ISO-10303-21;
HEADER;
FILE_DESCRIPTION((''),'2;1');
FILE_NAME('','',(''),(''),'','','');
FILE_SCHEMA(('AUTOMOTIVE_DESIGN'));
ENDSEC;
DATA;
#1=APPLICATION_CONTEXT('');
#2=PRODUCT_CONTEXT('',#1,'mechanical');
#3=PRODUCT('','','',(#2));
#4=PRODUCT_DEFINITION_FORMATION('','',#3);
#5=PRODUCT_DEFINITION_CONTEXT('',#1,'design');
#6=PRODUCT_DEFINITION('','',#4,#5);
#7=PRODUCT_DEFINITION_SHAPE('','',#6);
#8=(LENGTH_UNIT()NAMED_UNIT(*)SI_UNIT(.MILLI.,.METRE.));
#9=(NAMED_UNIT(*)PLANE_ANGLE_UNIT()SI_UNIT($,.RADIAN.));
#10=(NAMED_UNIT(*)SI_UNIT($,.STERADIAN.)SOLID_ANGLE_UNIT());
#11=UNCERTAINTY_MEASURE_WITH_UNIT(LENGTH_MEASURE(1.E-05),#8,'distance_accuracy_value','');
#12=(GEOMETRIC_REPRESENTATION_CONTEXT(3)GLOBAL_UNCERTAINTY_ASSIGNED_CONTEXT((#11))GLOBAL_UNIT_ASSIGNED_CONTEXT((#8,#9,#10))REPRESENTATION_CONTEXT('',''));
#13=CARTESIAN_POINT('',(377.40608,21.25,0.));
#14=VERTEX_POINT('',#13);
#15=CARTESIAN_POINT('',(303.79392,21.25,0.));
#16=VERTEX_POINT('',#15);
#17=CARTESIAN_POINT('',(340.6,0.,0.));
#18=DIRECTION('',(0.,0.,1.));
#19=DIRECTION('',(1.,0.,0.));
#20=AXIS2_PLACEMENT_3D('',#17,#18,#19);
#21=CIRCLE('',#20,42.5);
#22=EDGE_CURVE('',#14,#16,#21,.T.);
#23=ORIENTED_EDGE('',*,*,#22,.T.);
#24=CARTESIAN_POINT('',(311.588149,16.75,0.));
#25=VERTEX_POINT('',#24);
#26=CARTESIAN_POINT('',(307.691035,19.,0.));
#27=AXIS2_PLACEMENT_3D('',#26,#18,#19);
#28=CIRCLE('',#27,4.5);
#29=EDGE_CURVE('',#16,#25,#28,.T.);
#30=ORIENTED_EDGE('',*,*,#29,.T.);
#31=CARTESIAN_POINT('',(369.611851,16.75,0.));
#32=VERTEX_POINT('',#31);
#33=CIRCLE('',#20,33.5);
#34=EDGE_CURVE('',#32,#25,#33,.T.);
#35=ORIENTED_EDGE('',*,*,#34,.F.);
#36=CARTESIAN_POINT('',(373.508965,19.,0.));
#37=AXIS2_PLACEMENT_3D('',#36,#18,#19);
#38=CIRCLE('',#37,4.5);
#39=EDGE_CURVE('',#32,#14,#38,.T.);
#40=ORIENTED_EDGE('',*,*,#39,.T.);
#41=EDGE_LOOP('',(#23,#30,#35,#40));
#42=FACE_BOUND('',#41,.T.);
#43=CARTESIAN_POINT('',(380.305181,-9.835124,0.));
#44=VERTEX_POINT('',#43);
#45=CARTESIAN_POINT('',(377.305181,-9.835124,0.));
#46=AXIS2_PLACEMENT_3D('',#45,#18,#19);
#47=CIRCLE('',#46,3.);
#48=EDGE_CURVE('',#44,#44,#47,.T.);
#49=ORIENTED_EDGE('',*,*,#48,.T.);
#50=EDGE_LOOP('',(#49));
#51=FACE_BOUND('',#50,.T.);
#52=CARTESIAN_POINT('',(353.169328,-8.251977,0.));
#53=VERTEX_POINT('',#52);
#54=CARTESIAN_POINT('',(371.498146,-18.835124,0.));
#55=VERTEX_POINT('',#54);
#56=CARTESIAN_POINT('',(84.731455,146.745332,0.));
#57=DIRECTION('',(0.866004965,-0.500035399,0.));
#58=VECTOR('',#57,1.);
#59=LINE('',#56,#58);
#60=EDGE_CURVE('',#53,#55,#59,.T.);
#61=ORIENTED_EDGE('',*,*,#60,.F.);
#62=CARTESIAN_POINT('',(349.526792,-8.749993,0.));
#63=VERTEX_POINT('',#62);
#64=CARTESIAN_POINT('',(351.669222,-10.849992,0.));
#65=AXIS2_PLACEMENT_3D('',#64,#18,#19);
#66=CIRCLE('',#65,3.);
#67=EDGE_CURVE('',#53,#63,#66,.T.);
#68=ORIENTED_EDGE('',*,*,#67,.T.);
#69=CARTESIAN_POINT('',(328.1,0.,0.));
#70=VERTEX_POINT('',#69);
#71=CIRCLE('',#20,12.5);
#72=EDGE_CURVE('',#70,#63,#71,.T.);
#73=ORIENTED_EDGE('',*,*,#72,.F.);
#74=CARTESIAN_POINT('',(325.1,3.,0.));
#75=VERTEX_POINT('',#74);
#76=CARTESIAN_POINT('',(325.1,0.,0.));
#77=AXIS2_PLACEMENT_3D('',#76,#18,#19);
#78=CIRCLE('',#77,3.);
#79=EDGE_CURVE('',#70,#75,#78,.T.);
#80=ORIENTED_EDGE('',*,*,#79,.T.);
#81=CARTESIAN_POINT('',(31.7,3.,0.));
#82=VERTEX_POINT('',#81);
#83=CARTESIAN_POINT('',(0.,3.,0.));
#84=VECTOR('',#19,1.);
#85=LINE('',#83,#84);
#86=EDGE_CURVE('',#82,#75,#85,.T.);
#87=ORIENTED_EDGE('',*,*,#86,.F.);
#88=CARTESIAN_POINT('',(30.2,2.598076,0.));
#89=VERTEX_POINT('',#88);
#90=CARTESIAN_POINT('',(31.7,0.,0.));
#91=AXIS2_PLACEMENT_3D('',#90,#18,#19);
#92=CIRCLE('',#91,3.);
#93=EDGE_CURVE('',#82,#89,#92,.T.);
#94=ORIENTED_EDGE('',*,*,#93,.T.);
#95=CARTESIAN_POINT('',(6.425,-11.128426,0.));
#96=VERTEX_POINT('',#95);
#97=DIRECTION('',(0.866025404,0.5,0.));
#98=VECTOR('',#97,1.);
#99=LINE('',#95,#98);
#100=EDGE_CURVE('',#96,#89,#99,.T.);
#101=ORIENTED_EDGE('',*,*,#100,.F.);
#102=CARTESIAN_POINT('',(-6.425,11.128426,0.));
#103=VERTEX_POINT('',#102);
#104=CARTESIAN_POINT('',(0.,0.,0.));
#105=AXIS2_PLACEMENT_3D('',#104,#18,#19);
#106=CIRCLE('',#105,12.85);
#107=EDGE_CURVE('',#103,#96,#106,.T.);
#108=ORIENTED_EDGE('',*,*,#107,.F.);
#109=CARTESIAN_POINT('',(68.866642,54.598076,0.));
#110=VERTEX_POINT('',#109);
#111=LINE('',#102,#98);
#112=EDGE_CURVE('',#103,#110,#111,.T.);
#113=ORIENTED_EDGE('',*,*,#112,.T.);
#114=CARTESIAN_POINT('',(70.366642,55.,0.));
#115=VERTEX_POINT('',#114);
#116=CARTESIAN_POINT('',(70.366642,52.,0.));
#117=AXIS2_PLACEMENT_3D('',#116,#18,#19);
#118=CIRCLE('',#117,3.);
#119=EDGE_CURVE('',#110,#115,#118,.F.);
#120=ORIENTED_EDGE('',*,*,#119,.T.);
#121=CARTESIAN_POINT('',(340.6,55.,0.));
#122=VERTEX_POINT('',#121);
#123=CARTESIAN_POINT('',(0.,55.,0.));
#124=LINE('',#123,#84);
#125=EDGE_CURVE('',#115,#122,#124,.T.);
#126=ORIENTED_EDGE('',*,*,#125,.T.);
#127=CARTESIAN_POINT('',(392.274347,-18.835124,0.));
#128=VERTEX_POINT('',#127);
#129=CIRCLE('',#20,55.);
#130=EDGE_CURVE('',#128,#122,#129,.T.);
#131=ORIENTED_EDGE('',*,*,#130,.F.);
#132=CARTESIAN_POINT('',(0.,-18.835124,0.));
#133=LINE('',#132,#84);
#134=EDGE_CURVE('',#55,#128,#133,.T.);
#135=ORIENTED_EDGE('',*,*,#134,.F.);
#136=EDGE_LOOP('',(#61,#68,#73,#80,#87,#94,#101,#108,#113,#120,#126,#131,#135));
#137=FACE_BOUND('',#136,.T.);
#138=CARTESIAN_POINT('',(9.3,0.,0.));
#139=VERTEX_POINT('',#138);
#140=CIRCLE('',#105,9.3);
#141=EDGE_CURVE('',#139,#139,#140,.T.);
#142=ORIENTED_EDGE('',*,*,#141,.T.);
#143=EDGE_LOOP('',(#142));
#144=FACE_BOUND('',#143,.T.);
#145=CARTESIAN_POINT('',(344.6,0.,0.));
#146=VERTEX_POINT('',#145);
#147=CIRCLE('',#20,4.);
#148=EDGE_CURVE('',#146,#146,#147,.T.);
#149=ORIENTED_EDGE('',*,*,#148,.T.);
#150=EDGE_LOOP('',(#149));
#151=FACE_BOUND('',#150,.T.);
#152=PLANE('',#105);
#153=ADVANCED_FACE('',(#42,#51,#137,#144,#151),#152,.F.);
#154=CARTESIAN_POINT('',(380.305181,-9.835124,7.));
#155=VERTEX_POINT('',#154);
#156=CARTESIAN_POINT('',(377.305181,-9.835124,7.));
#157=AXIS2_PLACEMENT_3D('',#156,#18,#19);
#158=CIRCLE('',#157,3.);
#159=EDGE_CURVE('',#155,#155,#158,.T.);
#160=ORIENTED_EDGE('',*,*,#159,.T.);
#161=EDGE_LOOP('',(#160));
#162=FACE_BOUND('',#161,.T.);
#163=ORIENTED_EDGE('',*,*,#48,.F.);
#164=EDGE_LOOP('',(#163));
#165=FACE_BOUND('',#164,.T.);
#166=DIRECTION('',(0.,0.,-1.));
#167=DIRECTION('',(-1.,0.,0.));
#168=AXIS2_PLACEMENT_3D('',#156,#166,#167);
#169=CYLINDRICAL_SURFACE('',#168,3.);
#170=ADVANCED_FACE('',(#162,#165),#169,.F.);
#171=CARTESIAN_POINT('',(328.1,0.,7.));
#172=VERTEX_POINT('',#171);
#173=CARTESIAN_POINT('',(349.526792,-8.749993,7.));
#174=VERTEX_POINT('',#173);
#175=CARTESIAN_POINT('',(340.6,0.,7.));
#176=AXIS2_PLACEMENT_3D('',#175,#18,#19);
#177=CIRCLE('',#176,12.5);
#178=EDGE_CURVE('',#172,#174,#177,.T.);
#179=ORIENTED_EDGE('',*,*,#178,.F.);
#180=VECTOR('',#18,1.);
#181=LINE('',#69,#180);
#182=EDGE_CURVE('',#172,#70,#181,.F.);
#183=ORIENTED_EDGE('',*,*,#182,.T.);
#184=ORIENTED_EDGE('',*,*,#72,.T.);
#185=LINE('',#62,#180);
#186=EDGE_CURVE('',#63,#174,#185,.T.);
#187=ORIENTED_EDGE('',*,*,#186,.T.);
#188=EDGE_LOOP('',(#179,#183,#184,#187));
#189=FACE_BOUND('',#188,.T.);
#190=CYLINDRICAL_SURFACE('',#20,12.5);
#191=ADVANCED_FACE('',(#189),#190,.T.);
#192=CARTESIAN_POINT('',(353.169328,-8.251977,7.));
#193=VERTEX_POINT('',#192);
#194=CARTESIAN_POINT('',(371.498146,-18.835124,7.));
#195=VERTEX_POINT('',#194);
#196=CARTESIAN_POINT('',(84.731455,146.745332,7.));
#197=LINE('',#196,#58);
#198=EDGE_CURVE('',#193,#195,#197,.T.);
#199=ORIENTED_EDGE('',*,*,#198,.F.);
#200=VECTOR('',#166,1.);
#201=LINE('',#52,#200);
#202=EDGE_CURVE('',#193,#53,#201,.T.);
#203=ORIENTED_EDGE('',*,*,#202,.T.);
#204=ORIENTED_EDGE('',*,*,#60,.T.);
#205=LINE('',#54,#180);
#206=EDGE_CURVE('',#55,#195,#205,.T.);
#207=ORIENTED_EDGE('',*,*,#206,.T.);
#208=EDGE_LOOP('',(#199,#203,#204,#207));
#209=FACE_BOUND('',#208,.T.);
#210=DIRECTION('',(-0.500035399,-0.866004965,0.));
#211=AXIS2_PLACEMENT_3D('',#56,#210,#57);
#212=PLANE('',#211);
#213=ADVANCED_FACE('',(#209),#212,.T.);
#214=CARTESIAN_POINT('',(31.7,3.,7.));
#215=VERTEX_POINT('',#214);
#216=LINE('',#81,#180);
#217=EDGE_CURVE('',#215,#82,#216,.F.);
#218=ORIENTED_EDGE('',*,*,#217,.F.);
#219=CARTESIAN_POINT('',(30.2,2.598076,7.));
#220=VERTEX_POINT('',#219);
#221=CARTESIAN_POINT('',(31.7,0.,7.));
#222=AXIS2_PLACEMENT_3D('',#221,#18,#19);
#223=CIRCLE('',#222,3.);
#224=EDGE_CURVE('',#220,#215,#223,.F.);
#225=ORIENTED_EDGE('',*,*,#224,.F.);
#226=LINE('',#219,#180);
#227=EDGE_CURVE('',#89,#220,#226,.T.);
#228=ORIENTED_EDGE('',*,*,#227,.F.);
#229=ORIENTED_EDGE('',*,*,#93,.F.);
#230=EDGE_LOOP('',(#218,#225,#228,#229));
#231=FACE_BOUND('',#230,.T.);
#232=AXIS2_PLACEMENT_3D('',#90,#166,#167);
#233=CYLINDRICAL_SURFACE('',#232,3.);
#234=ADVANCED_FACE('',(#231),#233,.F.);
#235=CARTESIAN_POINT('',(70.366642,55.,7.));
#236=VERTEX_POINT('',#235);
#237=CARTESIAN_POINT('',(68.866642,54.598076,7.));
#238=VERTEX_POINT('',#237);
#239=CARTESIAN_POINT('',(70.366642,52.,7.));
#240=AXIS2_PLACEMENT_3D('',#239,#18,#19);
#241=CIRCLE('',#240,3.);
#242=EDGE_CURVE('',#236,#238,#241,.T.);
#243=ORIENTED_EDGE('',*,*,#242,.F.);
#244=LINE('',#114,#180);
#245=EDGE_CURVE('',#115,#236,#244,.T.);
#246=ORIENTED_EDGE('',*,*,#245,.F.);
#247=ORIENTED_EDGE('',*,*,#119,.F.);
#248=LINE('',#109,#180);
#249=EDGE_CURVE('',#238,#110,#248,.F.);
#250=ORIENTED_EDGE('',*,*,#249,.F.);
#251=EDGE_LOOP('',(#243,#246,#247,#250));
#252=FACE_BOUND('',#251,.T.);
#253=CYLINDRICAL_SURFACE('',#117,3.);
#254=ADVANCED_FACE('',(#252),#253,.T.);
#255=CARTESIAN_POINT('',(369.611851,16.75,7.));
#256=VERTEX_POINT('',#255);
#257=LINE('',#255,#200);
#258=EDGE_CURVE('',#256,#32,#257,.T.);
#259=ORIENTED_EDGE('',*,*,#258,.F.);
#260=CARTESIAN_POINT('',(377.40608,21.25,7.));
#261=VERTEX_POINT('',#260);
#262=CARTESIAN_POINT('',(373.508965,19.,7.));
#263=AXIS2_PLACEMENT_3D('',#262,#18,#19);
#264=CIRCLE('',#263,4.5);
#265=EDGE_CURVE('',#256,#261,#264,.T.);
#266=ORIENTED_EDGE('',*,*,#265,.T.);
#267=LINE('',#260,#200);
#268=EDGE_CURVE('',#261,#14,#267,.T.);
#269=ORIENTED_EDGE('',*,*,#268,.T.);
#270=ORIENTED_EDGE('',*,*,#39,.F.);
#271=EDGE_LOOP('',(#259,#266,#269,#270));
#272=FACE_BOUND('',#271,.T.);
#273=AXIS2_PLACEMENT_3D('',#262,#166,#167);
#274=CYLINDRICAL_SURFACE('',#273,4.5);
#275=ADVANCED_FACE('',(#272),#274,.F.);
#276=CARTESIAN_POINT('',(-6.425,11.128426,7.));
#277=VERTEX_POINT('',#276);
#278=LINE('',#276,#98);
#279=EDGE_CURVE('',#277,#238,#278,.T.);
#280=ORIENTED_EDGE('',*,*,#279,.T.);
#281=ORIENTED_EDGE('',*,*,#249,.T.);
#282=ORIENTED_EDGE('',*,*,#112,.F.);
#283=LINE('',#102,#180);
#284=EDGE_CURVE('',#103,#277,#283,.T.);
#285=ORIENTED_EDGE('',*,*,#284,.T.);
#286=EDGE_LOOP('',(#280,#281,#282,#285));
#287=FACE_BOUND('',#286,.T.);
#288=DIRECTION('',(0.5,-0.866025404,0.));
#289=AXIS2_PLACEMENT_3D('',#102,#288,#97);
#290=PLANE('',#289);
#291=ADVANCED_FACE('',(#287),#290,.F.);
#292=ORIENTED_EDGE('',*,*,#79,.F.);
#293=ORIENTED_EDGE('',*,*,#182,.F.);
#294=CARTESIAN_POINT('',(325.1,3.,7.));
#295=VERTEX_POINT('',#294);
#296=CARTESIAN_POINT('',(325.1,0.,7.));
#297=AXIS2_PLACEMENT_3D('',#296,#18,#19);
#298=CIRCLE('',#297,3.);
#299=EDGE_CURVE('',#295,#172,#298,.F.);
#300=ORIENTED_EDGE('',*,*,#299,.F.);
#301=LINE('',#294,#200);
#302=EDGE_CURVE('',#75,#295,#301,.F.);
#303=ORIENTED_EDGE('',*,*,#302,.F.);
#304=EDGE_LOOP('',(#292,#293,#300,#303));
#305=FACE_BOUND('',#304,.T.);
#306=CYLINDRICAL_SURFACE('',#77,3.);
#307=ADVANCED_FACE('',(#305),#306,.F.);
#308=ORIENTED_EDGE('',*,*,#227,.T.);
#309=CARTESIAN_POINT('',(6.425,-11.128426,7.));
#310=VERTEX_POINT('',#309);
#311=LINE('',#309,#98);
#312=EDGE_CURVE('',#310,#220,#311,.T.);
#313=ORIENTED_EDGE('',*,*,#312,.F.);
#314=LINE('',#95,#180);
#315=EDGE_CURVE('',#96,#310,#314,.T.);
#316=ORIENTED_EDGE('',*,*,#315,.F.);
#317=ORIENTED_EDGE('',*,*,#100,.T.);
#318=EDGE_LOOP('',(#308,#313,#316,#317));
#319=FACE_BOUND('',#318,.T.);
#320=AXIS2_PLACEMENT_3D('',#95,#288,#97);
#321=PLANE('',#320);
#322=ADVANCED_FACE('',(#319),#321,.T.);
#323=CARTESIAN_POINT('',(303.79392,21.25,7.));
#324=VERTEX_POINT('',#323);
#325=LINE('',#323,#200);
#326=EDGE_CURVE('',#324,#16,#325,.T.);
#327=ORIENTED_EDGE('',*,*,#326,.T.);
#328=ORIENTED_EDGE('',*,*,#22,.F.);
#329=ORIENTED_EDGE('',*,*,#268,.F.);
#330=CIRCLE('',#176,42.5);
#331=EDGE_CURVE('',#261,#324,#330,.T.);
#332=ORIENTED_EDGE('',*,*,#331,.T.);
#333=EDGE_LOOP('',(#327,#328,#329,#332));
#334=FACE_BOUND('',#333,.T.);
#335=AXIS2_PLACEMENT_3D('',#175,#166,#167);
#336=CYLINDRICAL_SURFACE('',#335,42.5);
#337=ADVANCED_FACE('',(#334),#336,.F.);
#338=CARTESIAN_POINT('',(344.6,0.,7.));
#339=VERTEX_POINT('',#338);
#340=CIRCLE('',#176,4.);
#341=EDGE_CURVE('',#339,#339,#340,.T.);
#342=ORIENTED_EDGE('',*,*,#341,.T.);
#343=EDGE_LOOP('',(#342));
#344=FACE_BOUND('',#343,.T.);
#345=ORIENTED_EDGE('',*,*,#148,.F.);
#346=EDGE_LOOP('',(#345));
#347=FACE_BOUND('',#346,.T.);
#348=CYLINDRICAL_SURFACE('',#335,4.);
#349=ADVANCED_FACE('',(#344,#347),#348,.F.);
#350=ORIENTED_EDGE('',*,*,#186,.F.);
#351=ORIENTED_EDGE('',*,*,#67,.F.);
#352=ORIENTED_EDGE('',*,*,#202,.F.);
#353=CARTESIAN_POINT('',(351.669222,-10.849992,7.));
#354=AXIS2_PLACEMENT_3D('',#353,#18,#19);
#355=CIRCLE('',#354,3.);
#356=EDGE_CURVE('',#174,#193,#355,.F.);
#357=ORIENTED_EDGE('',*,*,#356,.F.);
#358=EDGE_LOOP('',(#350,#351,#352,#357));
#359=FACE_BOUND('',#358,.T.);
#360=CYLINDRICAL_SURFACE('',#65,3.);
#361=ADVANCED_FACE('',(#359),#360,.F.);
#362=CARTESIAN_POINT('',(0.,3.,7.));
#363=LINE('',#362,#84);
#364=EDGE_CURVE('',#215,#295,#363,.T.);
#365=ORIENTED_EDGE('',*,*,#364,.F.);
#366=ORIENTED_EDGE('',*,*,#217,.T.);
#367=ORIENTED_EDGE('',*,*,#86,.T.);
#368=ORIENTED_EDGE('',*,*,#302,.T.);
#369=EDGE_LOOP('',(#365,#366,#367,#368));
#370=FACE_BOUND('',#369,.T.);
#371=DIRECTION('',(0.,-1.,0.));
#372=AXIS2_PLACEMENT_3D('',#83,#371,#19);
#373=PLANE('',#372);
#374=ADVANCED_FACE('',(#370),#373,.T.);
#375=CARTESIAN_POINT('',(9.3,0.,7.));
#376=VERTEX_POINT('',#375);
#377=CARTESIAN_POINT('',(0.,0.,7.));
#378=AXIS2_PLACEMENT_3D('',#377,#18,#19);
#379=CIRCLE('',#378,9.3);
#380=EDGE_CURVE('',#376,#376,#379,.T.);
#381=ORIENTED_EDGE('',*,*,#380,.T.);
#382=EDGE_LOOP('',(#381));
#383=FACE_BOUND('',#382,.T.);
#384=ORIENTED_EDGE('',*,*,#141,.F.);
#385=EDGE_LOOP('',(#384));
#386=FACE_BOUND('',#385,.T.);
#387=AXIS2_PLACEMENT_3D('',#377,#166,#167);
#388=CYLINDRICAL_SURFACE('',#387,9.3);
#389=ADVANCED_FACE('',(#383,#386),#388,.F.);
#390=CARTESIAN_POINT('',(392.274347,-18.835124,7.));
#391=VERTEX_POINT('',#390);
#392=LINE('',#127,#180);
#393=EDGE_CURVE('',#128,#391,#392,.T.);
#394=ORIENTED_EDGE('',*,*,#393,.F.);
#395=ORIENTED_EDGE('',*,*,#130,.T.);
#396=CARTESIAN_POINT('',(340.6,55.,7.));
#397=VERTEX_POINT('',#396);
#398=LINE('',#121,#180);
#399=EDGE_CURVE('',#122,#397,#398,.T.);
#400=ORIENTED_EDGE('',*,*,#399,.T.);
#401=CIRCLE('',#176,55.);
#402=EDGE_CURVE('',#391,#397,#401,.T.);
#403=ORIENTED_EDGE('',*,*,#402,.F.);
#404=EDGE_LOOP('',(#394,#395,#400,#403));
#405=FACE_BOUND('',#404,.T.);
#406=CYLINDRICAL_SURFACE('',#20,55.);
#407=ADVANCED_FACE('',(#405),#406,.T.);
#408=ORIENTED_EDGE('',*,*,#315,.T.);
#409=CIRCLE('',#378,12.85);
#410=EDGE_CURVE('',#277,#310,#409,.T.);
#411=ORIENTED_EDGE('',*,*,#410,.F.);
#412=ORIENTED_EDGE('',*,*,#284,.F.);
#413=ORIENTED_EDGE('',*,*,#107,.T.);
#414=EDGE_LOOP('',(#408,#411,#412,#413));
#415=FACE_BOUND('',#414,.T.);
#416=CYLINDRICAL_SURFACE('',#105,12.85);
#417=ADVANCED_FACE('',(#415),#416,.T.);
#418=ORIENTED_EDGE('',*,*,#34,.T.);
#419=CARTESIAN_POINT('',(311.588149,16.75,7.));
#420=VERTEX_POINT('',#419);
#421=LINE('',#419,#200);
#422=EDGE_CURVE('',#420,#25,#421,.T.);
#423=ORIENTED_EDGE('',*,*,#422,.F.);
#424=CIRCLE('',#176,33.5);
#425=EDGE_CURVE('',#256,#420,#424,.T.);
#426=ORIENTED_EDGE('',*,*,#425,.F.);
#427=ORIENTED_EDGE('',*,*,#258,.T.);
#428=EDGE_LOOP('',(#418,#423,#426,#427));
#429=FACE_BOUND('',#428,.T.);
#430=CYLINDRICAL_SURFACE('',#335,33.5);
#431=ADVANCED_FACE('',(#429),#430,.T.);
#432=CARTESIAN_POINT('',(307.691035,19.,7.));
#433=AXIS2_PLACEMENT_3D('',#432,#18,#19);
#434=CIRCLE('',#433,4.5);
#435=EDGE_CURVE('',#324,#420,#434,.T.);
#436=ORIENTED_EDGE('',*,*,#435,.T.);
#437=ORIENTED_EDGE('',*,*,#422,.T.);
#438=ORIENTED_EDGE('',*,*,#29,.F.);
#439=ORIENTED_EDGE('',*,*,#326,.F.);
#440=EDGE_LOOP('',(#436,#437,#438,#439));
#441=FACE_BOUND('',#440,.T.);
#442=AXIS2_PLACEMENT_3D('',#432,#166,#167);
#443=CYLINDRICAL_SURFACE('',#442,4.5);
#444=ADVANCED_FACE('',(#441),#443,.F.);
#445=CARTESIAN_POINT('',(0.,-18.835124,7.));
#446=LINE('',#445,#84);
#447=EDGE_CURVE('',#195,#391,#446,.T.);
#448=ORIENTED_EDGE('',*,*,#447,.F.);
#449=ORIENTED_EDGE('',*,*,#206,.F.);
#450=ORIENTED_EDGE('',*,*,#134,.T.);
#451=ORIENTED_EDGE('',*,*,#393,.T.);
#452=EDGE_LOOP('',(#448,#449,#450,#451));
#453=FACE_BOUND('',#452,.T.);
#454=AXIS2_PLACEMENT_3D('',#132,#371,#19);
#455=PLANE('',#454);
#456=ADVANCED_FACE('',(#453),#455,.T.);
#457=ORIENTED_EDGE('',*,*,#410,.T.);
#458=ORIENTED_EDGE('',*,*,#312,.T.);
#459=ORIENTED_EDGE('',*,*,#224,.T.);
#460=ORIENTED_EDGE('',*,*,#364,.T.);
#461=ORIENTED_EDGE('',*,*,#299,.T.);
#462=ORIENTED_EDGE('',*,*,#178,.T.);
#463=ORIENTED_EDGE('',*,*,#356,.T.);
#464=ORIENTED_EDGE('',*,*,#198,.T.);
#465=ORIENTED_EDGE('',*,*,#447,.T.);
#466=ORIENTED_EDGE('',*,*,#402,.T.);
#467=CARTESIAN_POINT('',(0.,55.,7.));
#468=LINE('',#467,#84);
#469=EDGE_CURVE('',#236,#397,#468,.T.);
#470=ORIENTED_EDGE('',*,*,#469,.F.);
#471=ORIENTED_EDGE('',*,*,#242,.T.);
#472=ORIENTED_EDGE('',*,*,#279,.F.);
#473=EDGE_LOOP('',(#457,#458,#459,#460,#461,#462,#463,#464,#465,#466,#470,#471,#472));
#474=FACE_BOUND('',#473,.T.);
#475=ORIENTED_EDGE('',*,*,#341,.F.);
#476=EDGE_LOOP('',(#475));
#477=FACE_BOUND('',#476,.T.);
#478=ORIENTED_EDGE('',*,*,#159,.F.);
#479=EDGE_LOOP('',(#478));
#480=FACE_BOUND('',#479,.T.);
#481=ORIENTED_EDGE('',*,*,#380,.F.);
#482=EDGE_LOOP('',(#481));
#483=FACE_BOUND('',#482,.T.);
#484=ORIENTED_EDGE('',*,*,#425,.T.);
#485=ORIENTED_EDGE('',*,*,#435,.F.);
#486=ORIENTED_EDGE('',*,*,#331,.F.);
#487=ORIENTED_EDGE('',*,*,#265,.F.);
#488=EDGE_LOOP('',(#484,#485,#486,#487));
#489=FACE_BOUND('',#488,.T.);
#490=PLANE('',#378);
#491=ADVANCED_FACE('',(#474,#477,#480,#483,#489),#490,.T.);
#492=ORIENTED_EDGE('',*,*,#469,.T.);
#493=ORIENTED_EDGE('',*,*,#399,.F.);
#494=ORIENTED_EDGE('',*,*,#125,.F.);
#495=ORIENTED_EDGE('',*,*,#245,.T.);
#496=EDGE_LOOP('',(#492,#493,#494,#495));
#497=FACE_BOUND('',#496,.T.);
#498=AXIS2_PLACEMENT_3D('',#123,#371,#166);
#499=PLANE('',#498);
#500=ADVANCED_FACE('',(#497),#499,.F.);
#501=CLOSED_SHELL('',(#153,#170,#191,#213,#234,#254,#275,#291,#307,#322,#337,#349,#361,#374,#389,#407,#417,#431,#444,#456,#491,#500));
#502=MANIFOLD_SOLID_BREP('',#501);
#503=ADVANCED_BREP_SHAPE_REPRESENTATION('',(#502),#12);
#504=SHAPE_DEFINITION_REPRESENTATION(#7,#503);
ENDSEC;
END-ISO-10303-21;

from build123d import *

# Parameters (mm, degrees)
SKETCH1_W           = 500
SKETCH1_H           = 150
SKETCH1_R           = 9.3
SKETCH1_R_2         = 3
SKETCH1_R_3         = 4
BOSS_EXTRUDE1_DEPTH = 7
CUT_EXTRUDE1_DEPTH  = 7
FILLET2_R           = 3


with BuildPart() as part:
    # Sketch1 → Boss-Extrude1 (new body)
    with BuildSketch(Plane.XY):
        with Locations((200, 0)):
            Rectangle(SKETCH1_W, SKETCH1_H)
        Circle(SKETCH1_R, mode=Mode.SUBTRACT)
        with BuildLine():
            ThreePointArc((303.793920425, 21.250000148), (340.59999997, 42.5), (377.406079545, 21.250000201))
            ThreePointArc((377.406079545, 21.250000201), (375.758965412, 15.102885723), (369.61185099, 16.750000063))
            ThreePointArc((369.61185099, 16.750000063), (340.600001147, 33.5), (311.588150157, 16.750002051))
            ThreePointArc((311.588150157, 16.750002051), (305.441035607, 15.102885134), (303.793920425, 21.250000148))
        make_face(mode=Mode.SUBTRACT)
        with Locations((377.305181399, -9.835123714)):
            Circle(SKETCH1_R_2, mode=Mode.SUBTRACT)
        with Locations((340.6, 0)):
            Circle(SKETCH1_R_3, mode=Mode.SUBTRACT)
    extrude(amount=BOSS_EXTRUDE1_DEPTH)

    # Sketch3 → Cut-Extrude1 (cut)
    with BuildSketch(Plane.XY.offset(7)):
        with BuildLine():
            Line((69.562794416, 55), (-50, 55))
            Line((-50, 55), (-50, -75))
            Line((-50, -75), (450, -75))
            Line((450, -75), (450, 55))
            Line((450, 55), (340.6, 55))
            ThreePointArc((340.6, 55), (379.490872965, 38.890872965), (395.6, 0))
            ThreePointArc((395.6, 0), (394.762205793, -9.563235), (392.274346776, -18.835123714))
            ThreePointArc((392.274346776, -18.835123714), (329.562623749, -53.881131442), (285.681879129, 3))
            Line((285.681879129, 3), (30.896152423, 3))
            Line((30.896152423, 3), (6.425, -11.128426439))
            ThreePointArc((6.425, -11.128426439), (-11.128426439, -6.425), (-6.425, 11.128426439))
            Line((-6.425, 11.128426439), (69.562794416, 55))
        make_face()
        with BuildLine():
            Line((328.4653389, 3), (285.681879129, 3))
            ThreePointArc((285.681879129, 3), (329.562623749, -53.881131442), (392.274346776, -18.835123714))
            Line((392.274346776, -18.835123714), (371.498146439, -18.835123714))
            Line((371.498146439, -18.835123714), (350.968741122, -6.981347115))
            ThreePointArc((350.968741122, -6.981347115), (335.531820751, -11.426441226), (328.4653389, 3))
        make_face()
        Polygon((-50, 75), (-50, 55), (69.562794416, 55), (340.6, 55), (450, 55), (450, 75), align=None)
    extrude(amount=-CUT_EXTRUDE1_DEPTH, mode=Mode.SUBTRACT)

    # Fillet2
    fillet2_edges = [part.edges().sort_by_distance(p)[0] for p in [
        (69.562794416, 55, 3.5),
        (30.896152423, 3, 3.5),
        (328.4653389, 3, 3.5),
        (350.968741122, -6.981347115, 3.5),
    ]]
    fillet(fillet2_edges, radius=FILLET2_R)


solid = part.part
